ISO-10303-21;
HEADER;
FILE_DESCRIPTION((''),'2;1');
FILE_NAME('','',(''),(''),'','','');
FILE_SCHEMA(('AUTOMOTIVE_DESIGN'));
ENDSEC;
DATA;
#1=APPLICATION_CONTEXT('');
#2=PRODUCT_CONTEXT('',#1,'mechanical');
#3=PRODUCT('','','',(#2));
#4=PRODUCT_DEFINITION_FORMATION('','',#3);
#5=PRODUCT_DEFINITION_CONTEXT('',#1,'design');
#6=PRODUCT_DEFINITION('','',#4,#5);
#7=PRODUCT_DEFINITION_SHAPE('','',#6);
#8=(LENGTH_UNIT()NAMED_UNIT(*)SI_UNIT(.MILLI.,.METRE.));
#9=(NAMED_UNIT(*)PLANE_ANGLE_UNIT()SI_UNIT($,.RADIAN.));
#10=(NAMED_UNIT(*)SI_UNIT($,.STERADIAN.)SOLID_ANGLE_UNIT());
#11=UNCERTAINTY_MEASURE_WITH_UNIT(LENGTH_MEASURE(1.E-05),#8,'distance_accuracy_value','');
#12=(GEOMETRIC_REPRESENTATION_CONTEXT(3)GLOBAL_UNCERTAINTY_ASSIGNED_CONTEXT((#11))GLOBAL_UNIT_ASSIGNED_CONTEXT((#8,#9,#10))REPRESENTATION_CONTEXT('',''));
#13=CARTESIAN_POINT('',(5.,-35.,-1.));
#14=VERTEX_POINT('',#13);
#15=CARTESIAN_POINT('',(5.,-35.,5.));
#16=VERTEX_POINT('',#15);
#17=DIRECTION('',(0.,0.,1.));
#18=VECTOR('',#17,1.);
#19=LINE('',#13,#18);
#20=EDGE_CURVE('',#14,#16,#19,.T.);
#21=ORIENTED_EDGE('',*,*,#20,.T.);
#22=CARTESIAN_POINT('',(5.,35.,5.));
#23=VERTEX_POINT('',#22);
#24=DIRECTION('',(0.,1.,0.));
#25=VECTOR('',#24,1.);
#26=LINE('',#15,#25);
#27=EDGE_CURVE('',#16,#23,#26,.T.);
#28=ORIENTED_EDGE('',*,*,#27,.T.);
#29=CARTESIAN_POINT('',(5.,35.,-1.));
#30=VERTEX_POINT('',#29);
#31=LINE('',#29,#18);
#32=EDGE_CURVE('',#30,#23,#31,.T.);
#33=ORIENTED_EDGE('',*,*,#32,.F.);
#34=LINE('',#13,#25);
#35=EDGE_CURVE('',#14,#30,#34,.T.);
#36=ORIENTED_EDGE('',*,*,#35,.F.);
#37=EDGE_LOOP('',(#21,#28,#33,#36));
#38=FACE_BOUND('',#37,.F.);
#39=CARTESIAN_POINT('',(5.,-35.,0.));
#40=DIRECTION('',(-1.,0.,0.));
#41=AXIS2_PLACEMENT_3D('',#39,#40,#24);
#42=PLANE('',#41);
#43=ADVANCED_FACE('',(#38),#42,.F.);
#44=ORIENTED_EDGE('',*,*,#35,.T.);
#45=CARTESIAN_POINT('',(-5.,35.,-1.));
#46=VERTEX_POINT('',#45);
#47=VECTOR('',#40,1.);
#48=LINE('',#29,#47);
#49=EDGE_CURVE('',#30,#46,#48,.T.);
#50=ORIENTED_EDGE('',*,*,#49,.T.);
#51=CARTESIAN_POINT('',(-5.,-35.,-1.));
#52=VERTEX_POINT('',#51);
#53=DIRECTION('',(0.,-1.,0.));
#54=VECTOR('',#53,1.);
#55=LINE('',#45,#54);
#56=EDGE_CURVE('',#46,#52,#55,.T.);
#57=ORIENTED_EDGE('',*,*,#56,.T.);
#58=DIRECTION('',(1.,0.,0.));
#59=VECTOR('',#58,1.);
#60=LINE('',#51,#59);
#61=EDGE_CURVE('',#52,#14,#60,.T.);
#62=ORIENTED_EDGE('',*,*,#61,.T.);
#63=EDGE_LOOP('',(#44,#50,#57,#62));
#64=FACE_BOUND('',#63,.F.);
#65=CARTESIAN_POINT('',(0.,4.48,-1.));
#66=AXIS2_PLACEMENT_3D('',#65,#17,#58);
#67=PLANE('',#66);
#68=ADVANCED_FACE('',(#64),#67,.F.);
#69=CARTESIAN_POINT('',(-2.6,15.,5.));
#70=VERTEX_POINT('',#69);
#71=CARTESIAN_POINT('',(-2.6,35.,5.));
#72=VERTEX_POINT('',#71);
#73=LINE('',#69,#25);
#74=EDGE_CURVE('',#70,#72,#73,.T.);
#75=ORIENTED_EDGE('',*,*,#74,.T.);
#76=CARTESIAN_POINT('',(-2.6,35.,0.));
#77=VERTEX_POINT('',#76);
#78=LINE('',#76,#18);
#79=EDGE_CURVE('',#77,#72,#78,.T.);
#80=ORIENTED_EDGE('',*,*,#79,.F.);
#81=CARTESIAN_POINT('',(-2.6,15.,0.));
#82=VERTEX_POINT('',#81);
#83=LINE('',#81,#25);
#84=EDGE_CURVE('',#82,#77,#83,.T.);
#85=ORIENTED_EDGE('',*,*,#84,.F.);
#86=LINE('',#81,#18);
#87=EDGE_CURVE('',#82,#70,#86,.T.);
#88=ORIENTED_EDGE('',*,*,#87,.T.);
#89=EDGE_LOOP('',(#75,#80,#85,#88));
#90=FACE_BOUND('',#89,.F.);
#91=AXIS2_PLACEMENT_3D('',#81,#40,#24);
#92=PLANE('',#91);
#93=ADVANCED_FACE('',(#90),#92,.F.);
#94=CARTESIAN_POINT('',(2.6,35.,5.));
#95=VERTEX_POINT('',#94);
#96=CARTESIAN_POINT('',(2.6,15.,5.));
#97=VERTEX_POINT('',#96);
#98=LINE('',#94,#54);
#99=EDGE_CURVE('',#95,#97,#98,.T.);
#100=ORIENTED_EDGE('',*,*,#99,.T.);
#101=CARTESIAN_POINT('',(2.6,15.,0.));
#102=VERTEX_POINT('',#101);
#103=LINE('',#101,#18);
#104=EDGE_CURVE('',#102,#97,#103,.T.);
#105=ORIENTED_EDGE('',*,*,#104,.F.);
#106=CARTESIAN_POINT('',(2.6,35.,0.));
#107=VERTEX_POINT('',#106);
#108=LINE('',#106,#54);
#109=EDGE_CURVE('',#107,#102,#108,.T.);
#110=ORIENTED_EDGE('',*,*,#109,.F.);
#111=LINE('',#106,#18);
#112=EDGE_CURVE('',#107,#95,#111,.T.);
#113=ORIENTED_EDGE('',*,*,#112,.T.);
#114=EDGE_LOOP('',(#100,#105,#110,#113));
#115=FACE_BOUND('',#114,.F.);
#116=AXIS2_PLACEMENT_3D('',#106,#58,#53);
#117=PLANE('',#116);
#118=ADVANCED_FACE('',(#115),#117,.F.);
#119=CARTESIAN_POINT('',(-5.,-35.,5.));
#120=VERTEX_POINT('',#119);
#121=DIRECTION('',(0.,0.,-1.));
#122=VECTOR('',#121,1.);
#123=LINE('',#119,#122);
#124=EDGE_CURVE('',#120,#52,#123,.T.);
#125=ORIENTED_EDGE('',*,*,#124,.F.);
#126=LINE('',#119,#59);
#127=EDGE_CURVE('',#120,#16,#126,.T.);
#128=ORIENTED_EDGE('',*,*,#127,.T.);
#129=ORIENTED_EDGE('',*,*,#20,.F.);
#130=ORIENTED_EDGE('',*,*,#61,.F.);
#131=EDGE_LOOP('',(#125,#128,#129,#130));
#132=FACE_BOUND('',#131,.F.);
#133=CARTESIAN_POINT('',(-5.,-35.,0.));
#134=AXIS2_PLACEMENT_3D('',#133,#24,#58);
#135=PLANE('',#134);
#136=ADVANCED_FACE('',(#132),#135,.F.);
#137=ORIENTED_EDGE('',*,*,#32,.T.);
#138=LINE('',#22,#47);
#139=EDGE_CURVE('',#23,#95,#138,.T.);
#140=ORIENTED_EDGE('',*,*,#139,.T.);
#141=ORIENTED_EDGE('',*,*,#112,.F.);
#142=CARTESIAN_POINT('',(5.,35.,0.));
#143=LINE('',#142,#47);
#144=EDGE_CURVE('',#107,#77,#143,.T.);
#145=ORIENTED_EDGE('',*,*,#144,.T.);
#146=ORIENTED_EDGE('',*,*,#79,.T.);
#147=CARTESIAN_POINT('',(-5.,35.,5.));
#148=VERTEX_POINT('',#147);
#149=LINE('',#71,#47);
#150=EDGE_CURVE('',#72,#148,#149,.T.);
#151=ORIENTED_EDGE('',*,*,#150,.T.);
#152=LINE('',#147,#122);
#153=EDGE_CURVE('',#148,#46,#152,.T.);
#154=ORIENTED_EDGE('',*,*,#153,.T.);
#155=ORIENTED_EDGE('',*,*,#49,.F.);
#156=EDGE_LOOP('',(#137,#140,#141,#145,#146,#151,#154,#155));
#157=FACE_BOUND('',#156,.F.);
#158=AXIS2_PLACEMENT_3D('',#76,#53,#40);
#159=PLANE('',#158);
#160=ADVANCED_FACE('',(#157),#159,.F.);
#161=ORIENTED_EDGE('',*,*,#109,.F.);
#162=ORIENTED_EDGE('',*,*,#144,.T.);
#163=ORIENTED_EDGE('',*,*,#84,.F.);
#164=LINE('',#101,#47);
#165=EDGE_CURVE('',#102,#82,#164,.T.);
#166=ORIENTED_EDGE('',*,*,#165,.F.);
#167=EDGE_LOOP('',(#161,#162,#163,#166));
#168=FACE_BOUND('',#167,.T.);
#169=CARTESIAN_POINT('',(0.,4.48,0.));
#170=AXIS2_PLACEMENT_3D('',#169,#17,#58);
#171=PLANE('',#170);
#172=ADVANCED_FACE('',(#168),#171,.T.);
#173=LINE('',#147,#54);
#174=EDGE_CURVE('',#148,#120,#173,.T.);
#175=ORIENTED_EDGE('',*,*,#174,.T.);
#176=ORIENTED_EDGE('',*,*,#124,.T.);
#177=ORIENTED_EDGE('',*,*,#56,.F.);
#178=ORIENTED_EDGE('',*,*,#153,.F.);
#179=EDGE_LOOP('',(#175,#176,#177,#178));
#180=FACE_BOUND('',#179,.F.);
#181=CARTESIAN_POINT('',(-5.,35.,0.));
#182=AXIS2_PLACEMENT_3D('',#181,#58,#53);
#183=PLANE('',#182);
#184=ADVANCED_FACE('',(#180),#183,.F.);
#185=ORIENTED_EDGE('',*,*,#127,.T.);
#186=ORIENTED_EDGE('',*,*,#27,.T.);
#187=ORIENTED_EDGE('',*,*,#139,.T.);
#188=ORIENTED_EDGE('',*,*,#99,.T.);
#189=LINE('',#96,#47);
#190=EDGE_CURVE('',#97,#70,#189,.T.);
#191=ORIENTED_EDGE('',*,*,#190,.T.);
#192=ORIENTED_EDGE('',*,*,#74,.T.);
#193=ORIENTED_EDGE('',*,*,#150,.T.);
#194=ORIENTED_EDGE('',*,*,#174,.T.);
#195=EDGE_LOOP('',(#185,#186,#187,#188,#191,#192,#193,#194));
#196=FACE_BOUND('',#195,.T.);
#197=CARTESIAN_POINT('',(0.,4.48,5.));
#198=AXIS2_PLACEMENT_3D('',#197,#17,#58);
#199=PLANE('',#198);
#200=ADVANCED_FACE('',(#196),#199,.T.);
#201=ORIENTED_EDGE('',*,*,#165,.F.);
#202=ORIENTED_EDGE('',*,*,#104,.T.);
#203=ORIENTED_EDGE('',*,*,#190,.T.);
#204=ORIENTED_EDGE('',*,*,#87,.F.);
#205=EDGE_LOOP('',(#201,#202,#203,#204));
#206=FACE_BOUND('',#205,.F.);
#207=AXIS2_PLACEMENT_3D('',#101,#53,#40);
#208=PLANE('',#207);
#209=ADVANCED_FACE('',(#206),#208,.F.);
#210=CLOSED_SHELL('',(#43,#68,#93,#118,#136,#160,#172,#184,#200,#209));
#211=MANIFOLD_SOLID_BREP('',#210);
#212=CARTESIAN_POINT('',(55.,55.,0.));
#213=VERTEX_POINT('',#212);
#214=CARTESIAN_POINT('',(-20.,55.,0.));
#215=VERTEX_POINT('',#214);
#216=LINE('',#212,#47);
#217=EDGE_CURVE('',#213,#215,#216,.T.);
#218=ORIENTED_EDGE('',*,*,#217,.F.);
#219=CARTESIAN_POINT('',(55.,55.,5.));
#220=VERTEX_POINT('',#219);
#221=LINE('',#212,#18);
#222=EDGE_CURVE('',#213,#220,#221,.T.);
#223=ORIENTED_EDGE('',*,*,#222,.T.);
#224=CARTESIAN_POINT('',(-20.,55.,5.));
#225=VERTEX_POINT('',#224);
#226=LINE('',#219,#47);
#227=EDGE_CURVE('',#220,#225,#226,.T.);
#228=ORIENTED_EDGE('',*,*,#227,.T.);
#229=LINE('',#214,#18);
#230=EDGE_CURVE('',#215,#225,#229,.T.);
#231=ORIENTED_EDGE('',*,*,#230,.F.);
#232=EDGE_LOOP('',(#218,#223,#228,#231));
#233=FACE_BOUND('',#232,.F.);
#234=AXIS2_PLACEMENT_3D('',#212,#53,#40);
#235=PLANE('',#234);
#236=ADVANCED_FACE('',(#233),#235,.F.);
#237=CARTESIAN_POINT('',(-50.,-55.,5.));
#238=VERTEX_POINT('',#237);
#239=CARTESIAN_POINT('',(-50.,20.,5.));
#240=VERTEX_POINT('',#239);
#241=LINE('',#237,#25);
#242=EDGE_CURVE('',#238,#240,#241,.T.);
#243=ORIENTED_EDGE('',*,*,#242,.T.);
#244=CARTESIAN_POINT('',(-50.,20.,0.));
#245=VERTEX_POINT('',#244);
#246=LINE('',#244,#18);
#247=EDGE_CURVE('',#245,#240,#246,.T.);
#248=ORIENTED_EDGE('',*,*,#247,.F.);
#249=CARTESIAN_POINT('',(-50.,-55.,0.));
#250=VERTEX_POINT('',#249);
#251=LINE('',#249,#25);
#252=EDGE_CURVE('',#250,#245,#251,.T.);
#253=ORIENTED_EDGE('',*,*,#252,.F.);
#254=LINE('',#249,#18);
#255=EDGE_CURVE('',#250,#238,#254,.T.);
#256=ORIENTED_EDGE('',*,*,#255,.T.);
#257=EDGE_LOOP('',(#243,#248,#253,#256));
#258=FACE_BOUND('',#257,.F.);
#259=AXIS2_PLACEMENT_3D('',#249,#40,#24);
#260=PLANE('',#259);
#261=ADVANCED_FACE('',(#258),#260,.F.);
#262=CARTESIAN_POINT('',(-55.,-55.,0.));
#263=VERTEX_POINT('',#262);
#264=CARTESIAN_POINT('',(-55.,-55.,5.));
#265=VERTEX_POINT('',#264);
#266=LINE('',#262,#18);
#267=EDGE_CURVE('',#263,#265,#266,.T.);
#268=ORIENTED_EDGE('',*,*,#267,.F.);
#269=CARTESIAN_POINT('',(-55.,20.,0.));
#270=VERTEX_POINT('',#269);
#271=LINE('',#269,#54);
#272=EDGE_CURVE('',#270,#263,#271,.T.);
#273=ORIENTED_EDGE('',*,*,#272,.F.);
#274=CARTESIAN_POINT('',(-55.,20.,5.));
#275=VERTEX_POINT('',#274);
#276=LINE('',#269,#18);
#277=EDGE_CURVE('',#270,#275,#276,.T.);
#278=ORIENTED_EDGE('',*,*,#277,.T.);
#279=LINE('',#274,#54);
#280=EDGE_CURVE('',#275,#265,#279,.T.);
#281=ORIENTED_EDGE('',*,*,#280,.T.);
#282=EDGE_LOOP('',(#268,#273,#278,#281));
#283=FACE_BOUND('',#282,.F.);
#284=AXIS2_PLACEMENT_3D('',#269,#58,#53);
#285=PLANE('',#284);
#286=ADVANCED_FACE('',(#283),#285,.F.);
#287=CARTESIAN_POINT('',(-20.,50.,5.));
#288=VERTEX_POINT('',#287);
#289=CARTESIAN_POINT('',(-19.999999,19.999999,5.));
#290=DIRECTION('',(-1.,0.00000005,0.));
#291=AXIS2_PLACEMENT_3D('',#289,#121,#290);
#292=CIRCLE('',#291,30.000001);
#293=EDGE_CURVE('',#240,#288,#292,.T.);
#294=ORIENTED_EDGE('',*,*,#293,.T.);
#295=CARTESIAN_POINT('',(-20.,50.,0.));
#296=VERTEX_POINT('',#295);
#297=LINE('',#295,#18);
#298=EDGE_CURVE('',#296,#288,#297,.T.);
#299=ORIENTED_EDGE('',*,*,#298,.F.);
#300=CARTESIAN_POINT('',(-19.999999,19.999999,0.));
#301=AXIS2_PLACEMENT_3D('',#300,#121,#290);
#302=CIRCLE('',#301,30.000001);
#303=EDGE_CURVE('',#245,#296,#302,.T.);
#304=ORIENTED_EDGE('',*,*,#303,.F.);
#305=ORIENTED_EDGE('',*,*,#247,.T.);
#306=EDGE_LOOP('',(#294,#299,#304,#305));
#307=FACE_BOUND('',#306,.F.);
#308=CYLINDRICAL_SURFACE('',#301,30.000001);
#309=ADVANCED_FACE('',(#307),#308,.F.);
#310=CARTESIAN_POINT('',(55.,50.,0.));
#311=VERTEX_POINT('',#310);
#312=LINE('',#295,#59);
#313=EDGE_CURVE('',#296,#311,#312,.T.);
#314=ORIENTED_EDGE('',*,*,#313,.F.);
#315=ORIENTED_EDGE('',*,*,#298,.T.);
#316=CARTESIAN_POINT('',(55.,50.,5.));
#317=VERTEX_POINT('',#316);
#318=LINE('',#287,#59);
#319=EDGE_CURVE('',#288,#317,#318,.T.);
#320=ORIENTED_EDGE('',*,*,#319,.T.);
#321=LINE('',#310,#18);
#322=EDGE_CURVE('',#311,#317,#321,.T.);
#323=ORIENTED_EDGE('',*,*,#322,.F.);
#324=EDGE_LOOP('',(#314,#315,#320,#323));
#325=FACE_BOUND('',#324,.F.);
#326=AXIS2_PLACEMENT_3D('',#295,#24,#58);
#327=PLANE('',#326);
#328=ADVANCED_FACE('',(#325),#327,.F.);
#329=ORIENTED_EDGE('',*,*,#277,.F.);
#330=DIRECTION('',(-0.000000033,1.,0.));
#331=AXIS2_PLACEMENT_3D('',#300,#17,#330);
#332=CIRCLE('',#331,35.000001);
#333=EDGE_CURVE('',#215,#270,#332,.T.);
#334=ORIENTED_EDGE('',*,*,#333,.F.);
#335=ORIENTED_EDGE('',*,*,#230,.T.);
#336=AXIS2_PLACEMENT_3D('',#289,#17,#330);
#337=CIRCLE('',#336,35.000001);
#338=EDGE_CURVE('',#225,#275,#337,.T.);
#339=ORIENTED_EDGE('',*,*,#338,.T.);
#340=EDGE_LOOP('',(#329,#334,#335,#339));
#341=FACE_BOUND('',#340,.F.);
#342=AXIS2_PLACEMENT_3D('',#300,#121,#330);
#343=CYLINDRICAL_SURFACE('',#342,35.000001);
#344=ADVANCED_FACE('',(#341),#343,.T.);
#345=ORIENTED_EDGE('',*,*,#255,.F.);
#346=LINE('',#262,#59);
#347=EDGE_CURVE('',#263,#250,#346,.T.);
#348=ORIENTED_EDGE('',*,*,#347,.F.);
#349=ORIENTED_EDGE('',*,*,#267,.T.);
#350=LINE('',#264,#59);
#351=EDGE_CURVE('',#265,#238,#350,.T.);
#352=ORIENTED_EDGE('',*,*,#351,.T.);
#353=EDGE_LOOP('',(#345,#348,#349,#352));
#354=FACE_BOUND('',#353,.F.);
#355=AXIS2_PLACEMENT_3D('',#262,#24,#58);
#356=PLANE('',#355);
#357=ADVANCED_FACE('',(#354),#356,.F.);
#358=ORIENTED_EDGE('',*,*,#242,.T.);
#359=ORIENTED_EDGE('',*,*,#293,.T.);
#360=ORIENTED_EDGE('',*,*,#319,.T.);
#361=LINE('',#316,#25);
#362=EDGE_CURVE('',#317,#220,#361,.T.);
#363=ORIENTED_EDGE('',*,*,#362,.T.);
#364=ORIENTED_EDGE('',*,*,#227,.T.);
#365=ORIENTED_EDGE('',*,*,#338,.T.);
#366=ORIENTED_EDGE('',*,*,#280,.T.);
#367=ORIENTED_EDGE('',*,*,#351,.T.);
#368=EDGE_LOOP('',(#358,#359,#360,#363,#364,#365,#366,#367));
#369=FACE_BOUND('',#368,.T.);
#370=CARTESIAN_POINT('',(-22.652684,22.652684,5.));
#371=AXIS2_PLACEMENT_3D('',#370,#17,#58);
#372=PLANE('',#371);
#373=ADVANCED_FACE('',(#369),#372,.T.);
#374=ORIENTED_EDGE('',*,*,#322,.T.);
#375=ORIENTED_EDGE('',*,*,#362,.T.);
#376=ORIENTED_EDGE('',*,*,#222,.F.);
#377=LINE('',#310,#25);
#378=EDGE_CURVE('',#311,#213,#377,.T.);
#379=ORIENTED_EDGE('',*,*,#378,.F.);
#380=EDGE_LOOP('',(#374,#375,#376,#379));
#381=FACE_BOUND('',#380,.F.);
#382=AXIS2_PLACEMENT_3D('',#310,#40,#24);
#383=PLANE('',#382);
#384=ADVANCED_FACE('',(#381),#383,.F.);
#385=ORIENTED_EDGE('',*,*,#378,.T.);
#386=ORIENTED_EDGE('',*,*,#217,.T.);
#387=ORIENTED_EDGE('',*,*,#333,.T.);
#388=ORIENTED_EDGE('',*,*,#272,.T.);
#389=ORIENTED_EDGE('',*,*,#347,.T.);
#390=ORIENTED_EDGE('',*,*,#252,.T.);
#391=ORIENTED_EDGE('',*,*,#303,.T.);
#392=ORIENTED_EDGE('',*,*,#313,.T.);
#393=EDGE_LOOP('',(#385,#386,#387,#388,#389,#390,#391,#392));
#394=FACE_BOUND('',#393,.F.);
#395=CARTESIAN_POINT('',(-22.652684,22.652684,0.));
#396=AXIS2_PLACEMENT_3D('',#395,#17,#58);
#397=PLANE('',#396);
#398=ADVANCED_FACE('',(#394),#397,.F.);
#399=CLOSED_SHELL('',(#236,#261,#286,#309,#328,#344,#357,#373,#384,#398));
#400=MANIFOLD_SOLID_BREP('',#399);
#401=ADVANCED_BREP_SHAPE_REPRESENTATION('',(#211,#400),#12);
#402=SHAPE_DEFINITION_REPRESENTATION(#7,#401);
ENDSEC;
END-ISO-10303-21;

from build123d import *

# Parameters (mm, degrees)
F1_DEPTH = 5
F0_W     = 5.2
F0_H     = 20
F2_DEPTH = 1
F3_DEPTH = 5


with BuildPart() as f1:
    # F0 (on Top) → F1 (new body)
    with BuildSketch(Plane.XY):
        with BuildLine():
            Line((55, 50), (55, 55))
            Line((55, 55), (-20, 55))
            ThreePointArc((-20, 55), (-44.748737, 44.748737), (-55, 20))
            Line((-55, 20), (-55, -55))
            Line((-55, -55), (-50, -55))
            Line((-50, -55), (-50, 20))
            ThreePointArc((-50, 20), (-41.213203, 41.213203), (-20, 50))
            Line((-20, 50), (55, 50))
        make_face()
    extrude(amount=F1_DEPTH)


with BuildPart() as f2:
    # F0 (on Top) → F2 (new body)
    with BuildSketch(Plane.XY):
        Polygon((-5, -35), (5, -35), (5, 35), (2.6, 35), (2.6, 15), (-2.6, 15), (-2.6, 35), (-5, 35), align=None)
        with Locations((0, 25)):
            Rectangle(F0_W, F0_H)
    extrude(amount=-F2_DEPTH)

    # F0 (on Top) → F3 (join)
    with BuildSketch(Plane.XY):
        Polygon((-5, -35), (5, -35), (5, 35), (2.6, 35), (2.6, 15), (-2.6, 15), (-2.6, 35), (-5, 35), align=None)
    extrude(amount=F3_DEPTH)


solid = Compound([f1.part, f2.part])
